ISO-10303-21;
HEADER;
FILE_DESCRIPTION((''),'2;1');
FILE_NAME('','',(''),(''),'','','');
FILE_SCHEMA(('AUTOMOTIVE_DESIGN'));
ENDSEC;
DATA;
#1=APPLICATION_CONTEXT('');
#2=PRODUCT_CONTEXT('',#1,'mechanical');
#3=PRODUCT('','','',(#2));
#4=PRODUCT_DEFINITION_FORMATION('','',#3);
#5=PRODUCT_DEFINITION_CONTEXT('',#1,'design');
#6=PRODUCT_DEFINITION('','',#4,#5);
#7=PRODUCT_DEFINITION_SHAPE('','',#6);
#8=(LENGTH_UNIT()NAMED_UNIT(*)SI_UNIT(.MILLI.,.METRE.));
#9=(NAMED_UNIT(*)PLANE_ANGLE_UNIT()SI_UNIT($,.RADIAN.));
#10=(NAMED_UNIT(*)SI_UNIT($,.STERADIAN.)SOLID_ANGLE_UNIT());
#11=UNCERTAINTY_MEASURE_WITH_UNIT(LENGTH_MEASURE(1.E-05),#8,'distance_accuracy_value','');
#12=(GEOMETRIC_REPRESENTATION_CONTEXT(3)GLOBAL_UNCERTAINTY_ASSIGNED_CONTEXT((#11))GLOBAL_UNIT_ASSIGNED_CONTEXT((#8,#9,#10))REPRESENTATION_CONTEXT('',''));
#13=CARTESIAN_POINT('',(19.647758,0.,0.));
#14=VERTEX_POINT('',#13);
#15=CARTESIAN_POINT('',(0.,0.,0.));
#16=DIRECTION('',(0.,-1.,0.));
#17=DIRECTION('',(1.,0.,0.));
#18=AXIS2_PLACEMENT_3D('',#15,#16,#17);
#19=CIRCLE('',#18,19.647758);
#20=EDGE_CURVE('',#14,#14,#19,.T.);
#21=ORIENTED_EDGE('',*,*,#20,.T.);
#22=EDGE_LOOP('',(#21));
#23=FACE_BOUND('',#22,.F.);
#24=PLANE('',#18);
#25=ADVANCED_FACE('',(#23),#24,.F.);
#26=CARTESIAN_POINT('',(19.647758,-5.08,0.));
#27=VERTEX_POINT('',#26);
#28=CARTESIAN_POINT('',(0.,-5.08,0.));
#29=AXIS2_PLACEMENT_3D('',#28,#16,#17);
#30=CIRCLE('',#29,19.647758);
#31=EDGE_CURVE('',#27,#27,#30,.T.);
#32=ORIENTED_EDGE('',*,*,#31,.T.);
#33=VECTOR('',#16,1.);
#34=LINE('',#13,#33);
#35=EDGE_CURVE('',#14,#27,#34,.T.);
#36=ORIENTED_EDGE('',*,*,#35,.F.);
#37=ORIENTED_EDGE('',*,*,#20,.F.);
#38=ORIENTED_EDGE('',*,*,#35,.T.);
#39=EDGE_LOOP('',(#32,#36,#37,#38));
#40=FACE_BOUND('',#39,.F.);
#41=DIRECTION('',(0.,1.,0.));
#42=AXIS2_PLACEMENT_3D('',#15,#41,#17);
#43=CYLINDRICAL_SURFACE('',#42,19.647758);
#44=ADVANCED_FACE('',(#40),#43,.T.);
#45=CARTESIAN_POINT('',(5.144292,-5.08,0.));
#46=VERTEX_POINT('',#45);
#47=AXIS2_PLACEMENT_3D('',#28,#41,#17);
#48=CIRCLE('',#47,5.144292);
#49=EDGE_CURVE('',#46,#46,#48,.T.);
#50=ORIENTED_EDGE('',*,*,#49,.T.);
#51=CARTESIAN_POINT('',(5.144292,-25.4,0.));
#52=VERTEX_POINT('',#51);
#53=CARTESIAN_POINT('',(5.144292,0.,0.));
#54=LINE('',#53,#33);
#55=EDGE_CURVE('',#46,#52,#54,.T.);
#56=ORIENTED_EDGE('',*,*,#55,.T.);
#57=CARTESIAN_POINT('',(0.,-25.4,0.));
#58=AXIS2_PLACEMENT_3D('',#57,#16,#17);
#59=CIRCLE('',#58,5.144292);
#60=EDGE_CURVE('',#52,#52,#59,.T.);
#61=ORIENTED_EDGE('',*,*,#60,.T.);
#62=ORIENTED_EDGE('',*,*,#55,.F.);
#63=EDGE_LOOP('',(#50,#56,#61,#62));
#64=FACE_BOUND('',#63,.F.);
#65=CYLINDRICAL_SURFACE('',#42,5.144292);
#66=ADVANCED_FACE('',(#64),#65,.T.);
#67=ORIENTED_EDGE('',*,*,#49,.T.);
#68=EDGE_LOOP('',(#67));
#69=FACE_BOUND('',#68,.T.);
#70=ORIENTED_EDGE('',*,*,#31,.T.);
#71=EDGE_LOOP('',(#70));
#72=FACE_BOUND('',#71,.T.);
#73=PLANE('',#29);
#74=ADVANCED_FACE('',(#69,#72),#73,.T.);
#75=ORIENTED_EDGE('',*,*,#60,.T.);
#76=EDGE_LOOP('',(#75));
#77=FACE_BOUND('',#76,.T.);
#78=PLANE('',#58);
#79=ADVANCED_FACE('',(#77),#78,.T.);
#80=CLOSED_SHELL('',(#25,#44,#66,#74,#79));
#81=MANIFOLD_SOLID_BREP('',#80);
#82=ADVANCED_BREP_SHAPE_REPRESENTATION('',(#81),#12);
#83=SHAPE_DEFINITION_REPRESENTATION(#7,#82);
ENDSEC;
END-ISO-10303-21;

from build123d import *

# Parameters (mm, degrees)
F0_R     = 19.647758
F0_R_2   = 5.08
F1_DEPTH = 5.08
F2_R     = 5.144292
F3_DEPTH = 25.4


with BuildPart() as f1:
    # F0 (on Front) → F1 (new body)
    with BuildSketch(Plane.XZ):
        Circle(F0_R)
        Circle(F0_R_2, mode=Mode.SUBTRACT)
    extrude(amount=F1_DEPTH)

    # F2 (on Front) → F3 (join)
    with BuildSketch(Plane.XZ):
        Circle(F2_R)
    extrude(amount=F3_DEPTH)


solid = f1.part
